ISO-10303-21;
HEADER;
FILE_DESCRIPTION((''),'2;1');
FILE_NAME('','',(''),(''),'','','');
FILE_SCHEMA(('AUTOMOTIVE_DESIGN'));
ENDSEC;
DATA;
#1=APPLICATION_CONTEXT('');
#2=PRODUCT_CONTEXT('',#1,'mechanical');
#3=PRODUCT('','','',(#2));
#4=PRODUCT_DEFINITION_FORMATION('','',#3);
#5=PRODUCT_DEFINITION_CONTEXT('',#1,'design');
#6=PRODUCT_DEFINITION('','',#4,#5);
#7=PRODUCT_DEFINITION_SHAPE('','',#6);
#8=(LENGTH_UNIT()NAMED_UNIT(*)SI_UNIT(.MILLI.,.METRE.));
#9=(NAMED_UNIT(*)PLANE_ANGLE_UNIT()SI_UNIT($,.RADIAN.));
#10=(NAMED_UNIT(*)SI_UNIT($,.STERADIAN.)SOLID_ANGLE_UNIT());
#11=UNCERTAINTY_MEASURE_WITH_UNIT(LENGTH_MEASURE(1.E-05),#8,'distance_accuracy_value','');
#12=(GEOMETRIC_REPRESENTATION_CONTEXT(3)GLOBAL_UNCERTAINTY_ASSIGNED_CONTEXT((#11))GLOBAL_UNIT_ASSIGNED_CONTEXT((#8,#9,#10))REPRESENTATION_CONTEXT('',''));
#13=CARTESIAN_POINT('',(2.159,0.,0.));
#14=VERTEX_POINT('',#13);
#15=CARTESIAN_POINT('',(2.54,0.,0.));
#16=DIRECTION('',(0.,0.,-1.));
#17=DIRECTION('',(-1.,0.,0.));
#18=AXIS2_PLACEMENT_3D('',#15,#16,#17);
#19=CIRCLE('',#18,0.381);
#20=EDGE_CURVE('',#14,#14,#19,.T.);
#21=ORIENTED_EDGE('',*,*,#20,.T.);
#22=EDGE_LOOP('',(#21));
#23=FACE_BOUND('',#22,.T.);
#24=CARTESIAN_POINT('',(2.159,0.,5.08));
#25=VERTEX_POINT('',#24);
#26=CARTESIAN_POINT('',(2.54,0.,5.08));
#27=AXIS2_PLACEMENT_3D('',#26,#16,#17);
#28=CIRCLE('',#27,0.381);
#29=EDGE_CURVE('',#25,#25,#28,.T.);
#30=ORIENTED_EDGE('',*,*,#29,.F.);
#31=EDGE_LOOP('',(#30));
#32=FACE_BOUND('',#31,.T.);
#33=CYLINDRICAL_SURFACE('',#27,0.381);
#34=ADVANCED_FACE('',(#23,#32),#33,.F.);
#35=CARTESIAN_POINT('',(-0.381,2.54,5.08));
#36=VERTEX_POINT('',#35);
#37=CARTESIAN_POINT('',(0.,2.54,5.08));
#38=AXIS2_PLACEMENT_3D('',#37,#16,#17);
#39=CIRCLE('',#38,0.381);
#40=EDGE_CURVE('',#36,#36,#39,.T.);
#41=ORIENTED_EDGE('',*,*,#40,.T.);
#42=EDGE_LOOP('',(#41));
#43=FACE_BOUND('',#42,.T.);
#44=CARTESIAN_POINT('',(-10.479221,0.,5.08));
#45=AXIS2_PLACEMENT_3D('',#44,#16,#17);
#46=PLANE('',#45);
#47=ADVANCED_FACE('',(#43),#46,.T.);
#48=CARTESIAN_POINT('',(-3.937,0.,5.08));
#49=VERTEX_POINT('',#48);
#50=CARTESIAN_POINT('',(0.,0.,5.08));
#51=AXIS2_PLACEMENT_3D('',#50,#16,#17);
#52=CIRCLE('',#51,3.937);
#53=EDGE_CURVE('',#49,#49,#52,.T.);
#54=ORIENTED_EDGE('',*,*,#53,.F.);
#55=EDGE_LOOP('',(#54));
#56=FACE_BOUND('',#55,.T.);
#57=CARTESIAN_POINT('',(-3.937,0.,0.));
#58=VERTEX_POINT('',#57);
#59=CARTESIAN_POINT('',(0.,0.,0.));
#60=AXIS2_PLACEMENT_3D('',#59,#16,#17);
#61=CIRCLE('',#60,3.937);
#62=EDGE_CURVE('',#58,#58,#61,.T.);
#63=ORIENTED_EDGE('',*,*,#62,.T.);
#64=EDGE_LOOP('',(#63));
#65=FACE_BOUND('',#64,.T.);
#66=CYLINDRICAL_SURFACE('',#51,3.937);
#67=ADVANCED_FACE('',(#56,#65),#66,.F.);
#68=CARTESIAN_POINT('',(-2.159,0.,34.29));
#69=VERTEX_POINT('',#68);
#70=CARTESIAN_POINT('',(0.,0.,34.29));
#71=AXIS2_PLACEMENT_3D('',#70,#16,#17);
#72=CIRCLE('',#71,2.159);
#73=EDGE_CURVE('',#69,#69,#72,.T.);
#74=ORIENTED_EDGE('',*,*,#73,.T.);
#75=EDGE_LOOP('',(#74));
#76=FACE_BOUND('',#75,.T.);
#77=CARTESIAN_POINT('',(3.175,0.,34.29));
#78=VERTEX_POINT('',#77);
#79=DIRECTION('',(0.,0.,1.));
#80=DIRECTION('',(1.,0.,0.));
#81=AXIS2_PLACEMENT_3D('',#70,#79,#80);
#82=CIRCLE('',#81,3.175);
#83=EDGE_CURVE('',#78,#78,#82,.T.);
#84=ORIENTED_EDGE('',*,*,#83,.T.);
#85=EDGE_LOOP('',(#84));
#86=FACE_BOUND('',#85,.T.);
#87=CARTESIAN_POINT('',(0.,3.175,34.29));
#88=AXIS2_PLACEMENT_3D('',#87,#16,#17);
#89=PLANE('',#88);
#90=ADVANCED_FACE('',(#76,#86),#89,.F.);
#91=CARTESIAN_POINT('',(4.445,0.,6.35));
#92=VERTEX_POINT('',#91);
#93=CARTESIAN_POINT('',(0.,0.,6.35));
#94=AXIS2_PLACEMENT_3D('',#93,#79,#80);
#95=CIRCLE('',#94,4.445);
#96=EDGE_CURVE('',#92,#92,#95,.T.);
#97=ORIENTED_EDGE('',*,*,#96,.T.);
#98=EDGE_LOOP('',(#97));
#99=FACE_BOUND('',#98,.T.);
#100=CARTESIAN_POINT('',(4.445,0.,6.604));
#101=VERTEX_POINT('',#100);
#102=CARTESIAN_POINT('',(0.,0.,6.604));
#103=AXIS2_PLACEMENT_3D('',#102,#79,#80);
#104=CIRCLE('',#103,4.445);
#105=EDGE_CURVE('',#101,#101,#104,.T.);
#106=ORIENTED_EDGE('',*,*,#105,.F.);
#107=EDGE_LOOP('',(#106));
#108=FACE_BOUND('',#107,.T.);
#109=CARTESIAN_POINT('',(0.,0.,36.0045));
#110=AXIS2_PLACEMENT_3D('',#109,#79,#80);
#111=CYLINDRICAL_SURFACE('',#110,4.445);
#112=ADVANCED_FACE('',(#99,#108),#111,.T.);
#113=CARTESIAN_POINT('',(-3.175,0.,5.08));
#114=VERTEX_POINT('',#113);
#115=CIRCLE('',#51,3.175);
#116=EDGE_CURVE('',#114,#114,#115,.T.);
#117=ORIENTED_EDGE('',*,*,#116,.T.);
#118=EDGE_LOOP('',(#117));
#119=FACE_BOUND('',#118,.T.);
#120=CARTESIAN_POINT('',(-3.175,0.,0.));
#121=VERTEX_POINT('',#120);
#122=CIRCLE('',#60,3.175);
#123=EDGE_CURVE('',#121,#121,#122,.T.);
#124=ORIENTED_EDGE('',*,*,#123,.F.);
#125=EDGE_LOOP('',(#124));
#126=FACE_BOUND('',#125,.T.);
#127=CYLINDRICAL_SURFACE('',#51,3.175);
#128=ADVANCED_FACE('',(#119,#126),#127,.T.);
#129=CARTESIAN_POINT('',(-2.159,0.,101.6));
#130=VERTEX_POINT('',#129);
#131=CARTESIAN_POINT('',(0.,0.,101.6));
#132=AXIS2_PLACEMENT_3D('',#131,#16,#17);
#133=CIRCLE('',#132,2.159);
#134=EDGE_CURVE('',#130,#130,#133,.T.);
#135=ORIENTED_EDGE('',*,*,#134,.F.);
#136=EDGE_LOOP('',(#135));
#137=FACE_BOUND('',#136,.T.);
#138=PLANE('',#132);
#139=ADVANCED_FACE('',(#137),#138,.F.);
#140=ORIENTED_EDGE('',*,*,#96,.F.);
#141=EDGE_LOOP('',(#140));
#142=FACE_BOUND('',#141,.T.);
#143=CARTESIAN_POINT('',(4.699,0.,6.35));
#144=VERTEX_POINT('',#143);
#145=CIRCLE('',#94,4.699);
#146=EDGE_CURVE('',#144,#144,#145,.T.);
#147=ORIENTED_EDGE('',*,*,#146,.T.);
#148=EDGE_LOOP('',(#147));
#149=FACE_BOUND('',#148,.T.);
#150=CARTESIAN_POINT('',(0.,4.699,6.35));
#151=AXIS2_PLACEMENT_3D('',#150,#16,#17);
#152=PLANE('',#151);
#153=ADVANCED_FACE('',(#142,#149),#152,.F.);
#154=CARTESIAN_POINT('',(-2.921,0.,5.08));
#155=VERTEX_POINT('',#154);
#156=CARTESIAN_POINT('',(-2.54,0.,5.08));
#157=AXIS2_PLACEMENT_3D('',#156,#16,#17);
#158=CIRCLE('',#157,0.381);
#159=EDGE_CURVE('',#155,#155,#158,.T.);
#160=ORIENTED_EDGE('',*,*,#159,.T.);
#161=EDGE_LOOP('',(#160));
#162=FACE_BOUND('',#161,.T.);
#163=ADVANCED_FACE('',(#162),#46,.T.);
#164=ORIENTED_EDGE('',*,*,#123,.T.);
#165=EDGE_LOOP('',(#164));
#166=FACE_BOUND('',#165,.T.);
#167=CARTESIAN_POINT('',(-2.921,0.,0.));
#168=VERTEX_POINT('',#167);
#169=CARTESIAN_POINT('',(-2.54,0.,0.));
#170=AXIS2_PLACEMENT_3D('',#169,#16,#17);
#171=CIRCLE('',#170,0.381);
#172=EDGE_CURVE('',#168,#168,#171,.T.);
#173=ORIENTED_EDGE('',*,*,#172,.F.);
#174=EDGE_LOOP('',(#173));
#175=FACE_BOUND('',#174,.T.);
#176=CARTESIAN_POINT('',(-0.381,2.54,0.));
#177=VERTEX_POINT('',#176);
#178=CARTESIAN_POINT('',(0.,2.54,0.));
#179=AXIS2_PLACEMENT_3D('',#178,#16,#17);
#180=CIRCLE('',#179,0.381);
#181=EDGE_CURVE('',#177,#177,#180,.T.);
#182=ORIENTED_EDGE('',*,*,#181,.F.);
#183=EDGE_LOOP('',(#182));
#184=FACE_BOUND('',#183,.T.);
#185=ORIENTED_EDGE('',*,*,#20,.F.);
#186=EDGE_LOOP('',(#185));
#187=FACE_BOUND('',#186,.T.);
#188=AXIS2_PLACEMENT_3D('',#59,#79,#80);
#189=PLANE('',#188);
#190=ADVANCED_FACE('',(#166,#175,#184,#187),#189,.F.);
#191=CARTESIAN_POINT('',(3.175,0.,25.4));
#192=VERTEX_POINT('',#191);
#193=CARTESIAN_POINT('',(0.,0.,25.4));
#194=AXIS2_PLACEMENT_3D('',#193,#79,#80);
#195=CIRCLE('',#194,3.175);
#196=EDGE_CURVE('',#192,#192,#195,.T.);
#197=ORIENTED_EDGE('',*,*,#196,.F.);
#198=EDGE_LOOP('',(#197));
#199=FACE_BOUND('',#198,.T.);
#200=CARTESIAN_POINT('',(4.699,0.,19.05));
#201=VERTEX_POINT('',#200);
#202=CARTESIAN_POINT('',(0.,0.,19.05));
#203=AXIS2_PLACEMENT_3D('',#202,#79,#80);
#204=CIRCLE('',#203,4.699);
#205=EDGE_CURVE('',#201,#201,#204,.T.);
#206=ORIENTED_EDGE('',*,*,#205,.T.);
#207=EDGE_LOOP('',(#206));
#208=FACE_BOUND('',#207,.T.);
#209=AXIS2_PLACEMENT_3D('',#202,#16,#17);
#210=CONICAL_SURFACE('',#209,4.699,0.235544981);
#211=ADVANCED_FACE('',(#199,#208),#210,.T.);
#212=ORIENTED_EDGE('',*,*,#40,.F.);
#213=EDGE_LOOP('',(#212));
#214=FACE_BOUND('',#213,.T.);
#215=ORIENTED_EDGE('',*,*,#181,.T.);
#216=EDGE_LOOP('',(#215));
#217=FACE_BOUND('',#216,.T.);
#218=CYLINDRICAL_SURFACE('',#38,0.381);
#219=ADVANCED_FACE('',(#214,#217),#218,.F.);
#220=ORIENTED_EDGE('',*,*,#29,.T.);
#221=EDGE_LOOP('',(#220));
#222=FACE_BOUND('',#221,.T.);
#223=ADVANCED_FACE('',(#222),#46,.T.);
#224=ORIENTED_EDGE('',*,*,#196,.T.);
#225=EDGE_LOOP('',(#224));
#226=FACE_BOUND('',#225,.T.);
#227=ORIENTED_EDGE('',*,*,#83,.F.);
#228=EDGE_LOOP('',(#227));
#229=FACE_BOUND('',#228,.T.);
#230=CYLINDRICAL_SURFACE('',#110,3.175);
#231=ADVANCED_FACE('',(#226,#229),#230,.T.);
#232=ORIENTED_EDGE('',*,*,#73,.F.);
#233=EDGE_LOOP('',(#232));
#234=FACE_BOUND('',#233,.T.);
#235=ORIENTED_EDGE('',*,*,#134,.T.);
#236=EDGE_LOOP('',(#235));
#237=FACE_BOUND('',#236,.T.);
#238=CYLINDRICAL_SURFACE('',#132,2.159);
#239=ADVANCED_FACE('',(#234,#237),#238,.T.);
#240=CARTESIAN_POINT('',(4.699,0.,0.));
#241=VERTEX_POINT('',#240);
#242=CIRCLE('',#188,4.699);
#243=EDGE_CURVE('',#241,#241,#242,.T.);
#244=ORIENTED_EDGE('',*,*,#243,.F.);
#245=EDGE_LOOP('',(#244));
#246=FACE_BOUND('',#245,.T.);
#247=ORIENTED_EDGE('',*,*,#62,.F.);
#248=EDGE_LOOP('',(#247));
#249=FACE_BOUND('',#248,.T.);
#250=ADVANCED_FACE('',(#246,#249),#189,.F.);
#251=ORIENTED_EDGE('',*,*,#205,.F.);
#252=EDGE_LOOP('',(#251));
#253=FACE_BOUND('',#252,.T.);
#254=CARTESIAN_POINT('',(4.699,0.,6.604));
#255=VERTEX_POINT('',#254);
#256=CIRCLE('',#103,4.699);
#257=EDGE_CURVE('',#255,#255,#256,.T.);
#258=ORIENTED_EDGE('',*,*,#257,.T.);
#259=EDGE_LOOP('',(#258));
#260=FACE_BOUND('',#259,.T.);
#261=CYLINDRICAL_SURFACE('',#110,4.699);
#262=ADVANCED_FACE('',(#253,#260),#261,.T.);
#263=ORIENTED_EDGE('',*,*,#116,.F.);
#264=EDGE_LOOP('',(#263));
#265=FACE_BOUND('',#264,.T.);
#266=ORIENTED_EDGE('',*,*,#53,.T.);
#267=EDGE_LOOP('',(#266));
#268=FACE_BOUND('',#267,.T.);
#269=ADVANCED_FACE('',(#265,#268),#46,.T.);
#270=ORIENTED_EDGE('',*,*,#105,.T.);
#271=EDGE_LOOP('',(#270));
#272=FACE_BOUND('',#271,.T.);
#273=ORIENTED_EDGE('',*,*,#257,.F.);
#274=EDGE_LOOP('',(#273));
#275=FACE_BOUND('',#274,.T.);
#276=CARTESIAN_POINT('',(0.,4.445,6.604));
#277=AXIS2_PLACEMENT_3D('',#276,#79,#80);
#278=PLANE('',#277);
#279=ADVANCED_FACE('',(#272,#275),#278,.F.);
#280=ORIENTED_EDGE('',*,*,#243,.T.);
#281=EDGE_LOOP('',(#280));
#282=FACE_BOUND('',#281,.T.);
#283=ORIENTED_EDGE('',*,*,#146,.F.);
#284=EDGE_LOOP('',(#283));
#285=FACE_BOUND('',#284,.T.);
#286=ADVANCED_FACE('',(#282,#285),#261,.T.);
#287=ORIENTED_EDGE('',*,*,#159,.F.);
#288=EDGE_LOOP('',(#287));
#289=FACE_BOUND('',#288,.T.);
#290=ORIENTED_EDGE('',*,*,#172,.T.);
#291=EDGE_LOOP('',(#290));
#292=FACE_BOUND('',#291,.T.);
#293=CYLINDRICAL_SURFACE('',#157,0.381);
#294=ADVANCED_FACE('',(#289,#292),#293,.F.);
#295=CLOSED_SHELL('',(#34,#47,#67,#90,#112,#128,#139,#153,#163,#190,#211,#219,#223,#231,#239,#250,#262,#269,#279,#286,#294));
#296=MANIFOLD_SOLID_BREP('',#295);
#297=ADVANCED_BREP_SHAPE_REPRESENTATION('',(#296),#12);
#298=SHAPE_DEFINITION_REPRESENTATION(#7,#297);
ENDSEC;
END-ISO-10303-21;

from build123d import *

# Parameters (mm, degrees)
SKETCH2_R          = 2.159
EXTRUDE1_DEPTH     = 101.6
SKETCH4_R          = 3.937
SKETCH4_R_2        = 3.175
SKETCH4_R_3        = 0.381
CUT_EXTRUDE2_DEPTH = 5.08


with BuildPart() as part:
    # S2D0001 → Revolve1 (revolve)
    with BuildSketch(Plane(origin=(0, 0, 0), x_dir=(0, 0, -1), z_dir=(1, 0, 0)), mode=Mode.PRIVATE) as revolve1_sk:
        Polygon((0, 0), (0, 4.699), (-6.35, 4.699), (-6.35, 4.445), (-6.604, 4.445), (-6.604, 4.699), (-19.05, 4.699), (-25.4, 3.175), (-34.29, 3.175), (-34.29, 0), align=None)
    revolve(revolve1_sk.sketch.rotate(Axis((0, 0, 36.0045), (0, 0, -1)), 90), axis=Axis((0, 0, 36.0045), (0, 0, -1)))  # turned: the seam where the file's is

    # Sketch2 → Extrude1 (add)
    with BuildSketch(Plane(origin=(0, 0, 0), x_dir=(-1, 0, 0), z_dir=(0, 0, -1))):
        Circle(SKETCH2_R)
    extrude(amount=-EXTRUDE1_DEPTH)

    # Sketch4 → Cut-Extrude2 (cut)
    with BuildSketch(Plane(origin=(0, 0, 0), x_dir=(-1, 0, 0), z_dir=(0, 0, -1))):
        Circle(SKETCH4_R)
        with Locations(Location((0, 0, 0), (0, 0, 180))):  # turned: the seam where the file's is
            Circle(SKETCH4_R_2, mode=Mode.SUBTRACT)
        with Locations((0, 2.54)):
            Circle(SKETCH4_R_3)
        with Locations((2.54, 0)):
            Circle(SKETCH4_R_3)
        with Locations((-2.54, 0)):
            Circle(SKETCH4_R_3)
    extrude(amount=-CUT_EXTRUDE2_DEPTH, mode=Mode.SUBTRACT)


solid = part.part
